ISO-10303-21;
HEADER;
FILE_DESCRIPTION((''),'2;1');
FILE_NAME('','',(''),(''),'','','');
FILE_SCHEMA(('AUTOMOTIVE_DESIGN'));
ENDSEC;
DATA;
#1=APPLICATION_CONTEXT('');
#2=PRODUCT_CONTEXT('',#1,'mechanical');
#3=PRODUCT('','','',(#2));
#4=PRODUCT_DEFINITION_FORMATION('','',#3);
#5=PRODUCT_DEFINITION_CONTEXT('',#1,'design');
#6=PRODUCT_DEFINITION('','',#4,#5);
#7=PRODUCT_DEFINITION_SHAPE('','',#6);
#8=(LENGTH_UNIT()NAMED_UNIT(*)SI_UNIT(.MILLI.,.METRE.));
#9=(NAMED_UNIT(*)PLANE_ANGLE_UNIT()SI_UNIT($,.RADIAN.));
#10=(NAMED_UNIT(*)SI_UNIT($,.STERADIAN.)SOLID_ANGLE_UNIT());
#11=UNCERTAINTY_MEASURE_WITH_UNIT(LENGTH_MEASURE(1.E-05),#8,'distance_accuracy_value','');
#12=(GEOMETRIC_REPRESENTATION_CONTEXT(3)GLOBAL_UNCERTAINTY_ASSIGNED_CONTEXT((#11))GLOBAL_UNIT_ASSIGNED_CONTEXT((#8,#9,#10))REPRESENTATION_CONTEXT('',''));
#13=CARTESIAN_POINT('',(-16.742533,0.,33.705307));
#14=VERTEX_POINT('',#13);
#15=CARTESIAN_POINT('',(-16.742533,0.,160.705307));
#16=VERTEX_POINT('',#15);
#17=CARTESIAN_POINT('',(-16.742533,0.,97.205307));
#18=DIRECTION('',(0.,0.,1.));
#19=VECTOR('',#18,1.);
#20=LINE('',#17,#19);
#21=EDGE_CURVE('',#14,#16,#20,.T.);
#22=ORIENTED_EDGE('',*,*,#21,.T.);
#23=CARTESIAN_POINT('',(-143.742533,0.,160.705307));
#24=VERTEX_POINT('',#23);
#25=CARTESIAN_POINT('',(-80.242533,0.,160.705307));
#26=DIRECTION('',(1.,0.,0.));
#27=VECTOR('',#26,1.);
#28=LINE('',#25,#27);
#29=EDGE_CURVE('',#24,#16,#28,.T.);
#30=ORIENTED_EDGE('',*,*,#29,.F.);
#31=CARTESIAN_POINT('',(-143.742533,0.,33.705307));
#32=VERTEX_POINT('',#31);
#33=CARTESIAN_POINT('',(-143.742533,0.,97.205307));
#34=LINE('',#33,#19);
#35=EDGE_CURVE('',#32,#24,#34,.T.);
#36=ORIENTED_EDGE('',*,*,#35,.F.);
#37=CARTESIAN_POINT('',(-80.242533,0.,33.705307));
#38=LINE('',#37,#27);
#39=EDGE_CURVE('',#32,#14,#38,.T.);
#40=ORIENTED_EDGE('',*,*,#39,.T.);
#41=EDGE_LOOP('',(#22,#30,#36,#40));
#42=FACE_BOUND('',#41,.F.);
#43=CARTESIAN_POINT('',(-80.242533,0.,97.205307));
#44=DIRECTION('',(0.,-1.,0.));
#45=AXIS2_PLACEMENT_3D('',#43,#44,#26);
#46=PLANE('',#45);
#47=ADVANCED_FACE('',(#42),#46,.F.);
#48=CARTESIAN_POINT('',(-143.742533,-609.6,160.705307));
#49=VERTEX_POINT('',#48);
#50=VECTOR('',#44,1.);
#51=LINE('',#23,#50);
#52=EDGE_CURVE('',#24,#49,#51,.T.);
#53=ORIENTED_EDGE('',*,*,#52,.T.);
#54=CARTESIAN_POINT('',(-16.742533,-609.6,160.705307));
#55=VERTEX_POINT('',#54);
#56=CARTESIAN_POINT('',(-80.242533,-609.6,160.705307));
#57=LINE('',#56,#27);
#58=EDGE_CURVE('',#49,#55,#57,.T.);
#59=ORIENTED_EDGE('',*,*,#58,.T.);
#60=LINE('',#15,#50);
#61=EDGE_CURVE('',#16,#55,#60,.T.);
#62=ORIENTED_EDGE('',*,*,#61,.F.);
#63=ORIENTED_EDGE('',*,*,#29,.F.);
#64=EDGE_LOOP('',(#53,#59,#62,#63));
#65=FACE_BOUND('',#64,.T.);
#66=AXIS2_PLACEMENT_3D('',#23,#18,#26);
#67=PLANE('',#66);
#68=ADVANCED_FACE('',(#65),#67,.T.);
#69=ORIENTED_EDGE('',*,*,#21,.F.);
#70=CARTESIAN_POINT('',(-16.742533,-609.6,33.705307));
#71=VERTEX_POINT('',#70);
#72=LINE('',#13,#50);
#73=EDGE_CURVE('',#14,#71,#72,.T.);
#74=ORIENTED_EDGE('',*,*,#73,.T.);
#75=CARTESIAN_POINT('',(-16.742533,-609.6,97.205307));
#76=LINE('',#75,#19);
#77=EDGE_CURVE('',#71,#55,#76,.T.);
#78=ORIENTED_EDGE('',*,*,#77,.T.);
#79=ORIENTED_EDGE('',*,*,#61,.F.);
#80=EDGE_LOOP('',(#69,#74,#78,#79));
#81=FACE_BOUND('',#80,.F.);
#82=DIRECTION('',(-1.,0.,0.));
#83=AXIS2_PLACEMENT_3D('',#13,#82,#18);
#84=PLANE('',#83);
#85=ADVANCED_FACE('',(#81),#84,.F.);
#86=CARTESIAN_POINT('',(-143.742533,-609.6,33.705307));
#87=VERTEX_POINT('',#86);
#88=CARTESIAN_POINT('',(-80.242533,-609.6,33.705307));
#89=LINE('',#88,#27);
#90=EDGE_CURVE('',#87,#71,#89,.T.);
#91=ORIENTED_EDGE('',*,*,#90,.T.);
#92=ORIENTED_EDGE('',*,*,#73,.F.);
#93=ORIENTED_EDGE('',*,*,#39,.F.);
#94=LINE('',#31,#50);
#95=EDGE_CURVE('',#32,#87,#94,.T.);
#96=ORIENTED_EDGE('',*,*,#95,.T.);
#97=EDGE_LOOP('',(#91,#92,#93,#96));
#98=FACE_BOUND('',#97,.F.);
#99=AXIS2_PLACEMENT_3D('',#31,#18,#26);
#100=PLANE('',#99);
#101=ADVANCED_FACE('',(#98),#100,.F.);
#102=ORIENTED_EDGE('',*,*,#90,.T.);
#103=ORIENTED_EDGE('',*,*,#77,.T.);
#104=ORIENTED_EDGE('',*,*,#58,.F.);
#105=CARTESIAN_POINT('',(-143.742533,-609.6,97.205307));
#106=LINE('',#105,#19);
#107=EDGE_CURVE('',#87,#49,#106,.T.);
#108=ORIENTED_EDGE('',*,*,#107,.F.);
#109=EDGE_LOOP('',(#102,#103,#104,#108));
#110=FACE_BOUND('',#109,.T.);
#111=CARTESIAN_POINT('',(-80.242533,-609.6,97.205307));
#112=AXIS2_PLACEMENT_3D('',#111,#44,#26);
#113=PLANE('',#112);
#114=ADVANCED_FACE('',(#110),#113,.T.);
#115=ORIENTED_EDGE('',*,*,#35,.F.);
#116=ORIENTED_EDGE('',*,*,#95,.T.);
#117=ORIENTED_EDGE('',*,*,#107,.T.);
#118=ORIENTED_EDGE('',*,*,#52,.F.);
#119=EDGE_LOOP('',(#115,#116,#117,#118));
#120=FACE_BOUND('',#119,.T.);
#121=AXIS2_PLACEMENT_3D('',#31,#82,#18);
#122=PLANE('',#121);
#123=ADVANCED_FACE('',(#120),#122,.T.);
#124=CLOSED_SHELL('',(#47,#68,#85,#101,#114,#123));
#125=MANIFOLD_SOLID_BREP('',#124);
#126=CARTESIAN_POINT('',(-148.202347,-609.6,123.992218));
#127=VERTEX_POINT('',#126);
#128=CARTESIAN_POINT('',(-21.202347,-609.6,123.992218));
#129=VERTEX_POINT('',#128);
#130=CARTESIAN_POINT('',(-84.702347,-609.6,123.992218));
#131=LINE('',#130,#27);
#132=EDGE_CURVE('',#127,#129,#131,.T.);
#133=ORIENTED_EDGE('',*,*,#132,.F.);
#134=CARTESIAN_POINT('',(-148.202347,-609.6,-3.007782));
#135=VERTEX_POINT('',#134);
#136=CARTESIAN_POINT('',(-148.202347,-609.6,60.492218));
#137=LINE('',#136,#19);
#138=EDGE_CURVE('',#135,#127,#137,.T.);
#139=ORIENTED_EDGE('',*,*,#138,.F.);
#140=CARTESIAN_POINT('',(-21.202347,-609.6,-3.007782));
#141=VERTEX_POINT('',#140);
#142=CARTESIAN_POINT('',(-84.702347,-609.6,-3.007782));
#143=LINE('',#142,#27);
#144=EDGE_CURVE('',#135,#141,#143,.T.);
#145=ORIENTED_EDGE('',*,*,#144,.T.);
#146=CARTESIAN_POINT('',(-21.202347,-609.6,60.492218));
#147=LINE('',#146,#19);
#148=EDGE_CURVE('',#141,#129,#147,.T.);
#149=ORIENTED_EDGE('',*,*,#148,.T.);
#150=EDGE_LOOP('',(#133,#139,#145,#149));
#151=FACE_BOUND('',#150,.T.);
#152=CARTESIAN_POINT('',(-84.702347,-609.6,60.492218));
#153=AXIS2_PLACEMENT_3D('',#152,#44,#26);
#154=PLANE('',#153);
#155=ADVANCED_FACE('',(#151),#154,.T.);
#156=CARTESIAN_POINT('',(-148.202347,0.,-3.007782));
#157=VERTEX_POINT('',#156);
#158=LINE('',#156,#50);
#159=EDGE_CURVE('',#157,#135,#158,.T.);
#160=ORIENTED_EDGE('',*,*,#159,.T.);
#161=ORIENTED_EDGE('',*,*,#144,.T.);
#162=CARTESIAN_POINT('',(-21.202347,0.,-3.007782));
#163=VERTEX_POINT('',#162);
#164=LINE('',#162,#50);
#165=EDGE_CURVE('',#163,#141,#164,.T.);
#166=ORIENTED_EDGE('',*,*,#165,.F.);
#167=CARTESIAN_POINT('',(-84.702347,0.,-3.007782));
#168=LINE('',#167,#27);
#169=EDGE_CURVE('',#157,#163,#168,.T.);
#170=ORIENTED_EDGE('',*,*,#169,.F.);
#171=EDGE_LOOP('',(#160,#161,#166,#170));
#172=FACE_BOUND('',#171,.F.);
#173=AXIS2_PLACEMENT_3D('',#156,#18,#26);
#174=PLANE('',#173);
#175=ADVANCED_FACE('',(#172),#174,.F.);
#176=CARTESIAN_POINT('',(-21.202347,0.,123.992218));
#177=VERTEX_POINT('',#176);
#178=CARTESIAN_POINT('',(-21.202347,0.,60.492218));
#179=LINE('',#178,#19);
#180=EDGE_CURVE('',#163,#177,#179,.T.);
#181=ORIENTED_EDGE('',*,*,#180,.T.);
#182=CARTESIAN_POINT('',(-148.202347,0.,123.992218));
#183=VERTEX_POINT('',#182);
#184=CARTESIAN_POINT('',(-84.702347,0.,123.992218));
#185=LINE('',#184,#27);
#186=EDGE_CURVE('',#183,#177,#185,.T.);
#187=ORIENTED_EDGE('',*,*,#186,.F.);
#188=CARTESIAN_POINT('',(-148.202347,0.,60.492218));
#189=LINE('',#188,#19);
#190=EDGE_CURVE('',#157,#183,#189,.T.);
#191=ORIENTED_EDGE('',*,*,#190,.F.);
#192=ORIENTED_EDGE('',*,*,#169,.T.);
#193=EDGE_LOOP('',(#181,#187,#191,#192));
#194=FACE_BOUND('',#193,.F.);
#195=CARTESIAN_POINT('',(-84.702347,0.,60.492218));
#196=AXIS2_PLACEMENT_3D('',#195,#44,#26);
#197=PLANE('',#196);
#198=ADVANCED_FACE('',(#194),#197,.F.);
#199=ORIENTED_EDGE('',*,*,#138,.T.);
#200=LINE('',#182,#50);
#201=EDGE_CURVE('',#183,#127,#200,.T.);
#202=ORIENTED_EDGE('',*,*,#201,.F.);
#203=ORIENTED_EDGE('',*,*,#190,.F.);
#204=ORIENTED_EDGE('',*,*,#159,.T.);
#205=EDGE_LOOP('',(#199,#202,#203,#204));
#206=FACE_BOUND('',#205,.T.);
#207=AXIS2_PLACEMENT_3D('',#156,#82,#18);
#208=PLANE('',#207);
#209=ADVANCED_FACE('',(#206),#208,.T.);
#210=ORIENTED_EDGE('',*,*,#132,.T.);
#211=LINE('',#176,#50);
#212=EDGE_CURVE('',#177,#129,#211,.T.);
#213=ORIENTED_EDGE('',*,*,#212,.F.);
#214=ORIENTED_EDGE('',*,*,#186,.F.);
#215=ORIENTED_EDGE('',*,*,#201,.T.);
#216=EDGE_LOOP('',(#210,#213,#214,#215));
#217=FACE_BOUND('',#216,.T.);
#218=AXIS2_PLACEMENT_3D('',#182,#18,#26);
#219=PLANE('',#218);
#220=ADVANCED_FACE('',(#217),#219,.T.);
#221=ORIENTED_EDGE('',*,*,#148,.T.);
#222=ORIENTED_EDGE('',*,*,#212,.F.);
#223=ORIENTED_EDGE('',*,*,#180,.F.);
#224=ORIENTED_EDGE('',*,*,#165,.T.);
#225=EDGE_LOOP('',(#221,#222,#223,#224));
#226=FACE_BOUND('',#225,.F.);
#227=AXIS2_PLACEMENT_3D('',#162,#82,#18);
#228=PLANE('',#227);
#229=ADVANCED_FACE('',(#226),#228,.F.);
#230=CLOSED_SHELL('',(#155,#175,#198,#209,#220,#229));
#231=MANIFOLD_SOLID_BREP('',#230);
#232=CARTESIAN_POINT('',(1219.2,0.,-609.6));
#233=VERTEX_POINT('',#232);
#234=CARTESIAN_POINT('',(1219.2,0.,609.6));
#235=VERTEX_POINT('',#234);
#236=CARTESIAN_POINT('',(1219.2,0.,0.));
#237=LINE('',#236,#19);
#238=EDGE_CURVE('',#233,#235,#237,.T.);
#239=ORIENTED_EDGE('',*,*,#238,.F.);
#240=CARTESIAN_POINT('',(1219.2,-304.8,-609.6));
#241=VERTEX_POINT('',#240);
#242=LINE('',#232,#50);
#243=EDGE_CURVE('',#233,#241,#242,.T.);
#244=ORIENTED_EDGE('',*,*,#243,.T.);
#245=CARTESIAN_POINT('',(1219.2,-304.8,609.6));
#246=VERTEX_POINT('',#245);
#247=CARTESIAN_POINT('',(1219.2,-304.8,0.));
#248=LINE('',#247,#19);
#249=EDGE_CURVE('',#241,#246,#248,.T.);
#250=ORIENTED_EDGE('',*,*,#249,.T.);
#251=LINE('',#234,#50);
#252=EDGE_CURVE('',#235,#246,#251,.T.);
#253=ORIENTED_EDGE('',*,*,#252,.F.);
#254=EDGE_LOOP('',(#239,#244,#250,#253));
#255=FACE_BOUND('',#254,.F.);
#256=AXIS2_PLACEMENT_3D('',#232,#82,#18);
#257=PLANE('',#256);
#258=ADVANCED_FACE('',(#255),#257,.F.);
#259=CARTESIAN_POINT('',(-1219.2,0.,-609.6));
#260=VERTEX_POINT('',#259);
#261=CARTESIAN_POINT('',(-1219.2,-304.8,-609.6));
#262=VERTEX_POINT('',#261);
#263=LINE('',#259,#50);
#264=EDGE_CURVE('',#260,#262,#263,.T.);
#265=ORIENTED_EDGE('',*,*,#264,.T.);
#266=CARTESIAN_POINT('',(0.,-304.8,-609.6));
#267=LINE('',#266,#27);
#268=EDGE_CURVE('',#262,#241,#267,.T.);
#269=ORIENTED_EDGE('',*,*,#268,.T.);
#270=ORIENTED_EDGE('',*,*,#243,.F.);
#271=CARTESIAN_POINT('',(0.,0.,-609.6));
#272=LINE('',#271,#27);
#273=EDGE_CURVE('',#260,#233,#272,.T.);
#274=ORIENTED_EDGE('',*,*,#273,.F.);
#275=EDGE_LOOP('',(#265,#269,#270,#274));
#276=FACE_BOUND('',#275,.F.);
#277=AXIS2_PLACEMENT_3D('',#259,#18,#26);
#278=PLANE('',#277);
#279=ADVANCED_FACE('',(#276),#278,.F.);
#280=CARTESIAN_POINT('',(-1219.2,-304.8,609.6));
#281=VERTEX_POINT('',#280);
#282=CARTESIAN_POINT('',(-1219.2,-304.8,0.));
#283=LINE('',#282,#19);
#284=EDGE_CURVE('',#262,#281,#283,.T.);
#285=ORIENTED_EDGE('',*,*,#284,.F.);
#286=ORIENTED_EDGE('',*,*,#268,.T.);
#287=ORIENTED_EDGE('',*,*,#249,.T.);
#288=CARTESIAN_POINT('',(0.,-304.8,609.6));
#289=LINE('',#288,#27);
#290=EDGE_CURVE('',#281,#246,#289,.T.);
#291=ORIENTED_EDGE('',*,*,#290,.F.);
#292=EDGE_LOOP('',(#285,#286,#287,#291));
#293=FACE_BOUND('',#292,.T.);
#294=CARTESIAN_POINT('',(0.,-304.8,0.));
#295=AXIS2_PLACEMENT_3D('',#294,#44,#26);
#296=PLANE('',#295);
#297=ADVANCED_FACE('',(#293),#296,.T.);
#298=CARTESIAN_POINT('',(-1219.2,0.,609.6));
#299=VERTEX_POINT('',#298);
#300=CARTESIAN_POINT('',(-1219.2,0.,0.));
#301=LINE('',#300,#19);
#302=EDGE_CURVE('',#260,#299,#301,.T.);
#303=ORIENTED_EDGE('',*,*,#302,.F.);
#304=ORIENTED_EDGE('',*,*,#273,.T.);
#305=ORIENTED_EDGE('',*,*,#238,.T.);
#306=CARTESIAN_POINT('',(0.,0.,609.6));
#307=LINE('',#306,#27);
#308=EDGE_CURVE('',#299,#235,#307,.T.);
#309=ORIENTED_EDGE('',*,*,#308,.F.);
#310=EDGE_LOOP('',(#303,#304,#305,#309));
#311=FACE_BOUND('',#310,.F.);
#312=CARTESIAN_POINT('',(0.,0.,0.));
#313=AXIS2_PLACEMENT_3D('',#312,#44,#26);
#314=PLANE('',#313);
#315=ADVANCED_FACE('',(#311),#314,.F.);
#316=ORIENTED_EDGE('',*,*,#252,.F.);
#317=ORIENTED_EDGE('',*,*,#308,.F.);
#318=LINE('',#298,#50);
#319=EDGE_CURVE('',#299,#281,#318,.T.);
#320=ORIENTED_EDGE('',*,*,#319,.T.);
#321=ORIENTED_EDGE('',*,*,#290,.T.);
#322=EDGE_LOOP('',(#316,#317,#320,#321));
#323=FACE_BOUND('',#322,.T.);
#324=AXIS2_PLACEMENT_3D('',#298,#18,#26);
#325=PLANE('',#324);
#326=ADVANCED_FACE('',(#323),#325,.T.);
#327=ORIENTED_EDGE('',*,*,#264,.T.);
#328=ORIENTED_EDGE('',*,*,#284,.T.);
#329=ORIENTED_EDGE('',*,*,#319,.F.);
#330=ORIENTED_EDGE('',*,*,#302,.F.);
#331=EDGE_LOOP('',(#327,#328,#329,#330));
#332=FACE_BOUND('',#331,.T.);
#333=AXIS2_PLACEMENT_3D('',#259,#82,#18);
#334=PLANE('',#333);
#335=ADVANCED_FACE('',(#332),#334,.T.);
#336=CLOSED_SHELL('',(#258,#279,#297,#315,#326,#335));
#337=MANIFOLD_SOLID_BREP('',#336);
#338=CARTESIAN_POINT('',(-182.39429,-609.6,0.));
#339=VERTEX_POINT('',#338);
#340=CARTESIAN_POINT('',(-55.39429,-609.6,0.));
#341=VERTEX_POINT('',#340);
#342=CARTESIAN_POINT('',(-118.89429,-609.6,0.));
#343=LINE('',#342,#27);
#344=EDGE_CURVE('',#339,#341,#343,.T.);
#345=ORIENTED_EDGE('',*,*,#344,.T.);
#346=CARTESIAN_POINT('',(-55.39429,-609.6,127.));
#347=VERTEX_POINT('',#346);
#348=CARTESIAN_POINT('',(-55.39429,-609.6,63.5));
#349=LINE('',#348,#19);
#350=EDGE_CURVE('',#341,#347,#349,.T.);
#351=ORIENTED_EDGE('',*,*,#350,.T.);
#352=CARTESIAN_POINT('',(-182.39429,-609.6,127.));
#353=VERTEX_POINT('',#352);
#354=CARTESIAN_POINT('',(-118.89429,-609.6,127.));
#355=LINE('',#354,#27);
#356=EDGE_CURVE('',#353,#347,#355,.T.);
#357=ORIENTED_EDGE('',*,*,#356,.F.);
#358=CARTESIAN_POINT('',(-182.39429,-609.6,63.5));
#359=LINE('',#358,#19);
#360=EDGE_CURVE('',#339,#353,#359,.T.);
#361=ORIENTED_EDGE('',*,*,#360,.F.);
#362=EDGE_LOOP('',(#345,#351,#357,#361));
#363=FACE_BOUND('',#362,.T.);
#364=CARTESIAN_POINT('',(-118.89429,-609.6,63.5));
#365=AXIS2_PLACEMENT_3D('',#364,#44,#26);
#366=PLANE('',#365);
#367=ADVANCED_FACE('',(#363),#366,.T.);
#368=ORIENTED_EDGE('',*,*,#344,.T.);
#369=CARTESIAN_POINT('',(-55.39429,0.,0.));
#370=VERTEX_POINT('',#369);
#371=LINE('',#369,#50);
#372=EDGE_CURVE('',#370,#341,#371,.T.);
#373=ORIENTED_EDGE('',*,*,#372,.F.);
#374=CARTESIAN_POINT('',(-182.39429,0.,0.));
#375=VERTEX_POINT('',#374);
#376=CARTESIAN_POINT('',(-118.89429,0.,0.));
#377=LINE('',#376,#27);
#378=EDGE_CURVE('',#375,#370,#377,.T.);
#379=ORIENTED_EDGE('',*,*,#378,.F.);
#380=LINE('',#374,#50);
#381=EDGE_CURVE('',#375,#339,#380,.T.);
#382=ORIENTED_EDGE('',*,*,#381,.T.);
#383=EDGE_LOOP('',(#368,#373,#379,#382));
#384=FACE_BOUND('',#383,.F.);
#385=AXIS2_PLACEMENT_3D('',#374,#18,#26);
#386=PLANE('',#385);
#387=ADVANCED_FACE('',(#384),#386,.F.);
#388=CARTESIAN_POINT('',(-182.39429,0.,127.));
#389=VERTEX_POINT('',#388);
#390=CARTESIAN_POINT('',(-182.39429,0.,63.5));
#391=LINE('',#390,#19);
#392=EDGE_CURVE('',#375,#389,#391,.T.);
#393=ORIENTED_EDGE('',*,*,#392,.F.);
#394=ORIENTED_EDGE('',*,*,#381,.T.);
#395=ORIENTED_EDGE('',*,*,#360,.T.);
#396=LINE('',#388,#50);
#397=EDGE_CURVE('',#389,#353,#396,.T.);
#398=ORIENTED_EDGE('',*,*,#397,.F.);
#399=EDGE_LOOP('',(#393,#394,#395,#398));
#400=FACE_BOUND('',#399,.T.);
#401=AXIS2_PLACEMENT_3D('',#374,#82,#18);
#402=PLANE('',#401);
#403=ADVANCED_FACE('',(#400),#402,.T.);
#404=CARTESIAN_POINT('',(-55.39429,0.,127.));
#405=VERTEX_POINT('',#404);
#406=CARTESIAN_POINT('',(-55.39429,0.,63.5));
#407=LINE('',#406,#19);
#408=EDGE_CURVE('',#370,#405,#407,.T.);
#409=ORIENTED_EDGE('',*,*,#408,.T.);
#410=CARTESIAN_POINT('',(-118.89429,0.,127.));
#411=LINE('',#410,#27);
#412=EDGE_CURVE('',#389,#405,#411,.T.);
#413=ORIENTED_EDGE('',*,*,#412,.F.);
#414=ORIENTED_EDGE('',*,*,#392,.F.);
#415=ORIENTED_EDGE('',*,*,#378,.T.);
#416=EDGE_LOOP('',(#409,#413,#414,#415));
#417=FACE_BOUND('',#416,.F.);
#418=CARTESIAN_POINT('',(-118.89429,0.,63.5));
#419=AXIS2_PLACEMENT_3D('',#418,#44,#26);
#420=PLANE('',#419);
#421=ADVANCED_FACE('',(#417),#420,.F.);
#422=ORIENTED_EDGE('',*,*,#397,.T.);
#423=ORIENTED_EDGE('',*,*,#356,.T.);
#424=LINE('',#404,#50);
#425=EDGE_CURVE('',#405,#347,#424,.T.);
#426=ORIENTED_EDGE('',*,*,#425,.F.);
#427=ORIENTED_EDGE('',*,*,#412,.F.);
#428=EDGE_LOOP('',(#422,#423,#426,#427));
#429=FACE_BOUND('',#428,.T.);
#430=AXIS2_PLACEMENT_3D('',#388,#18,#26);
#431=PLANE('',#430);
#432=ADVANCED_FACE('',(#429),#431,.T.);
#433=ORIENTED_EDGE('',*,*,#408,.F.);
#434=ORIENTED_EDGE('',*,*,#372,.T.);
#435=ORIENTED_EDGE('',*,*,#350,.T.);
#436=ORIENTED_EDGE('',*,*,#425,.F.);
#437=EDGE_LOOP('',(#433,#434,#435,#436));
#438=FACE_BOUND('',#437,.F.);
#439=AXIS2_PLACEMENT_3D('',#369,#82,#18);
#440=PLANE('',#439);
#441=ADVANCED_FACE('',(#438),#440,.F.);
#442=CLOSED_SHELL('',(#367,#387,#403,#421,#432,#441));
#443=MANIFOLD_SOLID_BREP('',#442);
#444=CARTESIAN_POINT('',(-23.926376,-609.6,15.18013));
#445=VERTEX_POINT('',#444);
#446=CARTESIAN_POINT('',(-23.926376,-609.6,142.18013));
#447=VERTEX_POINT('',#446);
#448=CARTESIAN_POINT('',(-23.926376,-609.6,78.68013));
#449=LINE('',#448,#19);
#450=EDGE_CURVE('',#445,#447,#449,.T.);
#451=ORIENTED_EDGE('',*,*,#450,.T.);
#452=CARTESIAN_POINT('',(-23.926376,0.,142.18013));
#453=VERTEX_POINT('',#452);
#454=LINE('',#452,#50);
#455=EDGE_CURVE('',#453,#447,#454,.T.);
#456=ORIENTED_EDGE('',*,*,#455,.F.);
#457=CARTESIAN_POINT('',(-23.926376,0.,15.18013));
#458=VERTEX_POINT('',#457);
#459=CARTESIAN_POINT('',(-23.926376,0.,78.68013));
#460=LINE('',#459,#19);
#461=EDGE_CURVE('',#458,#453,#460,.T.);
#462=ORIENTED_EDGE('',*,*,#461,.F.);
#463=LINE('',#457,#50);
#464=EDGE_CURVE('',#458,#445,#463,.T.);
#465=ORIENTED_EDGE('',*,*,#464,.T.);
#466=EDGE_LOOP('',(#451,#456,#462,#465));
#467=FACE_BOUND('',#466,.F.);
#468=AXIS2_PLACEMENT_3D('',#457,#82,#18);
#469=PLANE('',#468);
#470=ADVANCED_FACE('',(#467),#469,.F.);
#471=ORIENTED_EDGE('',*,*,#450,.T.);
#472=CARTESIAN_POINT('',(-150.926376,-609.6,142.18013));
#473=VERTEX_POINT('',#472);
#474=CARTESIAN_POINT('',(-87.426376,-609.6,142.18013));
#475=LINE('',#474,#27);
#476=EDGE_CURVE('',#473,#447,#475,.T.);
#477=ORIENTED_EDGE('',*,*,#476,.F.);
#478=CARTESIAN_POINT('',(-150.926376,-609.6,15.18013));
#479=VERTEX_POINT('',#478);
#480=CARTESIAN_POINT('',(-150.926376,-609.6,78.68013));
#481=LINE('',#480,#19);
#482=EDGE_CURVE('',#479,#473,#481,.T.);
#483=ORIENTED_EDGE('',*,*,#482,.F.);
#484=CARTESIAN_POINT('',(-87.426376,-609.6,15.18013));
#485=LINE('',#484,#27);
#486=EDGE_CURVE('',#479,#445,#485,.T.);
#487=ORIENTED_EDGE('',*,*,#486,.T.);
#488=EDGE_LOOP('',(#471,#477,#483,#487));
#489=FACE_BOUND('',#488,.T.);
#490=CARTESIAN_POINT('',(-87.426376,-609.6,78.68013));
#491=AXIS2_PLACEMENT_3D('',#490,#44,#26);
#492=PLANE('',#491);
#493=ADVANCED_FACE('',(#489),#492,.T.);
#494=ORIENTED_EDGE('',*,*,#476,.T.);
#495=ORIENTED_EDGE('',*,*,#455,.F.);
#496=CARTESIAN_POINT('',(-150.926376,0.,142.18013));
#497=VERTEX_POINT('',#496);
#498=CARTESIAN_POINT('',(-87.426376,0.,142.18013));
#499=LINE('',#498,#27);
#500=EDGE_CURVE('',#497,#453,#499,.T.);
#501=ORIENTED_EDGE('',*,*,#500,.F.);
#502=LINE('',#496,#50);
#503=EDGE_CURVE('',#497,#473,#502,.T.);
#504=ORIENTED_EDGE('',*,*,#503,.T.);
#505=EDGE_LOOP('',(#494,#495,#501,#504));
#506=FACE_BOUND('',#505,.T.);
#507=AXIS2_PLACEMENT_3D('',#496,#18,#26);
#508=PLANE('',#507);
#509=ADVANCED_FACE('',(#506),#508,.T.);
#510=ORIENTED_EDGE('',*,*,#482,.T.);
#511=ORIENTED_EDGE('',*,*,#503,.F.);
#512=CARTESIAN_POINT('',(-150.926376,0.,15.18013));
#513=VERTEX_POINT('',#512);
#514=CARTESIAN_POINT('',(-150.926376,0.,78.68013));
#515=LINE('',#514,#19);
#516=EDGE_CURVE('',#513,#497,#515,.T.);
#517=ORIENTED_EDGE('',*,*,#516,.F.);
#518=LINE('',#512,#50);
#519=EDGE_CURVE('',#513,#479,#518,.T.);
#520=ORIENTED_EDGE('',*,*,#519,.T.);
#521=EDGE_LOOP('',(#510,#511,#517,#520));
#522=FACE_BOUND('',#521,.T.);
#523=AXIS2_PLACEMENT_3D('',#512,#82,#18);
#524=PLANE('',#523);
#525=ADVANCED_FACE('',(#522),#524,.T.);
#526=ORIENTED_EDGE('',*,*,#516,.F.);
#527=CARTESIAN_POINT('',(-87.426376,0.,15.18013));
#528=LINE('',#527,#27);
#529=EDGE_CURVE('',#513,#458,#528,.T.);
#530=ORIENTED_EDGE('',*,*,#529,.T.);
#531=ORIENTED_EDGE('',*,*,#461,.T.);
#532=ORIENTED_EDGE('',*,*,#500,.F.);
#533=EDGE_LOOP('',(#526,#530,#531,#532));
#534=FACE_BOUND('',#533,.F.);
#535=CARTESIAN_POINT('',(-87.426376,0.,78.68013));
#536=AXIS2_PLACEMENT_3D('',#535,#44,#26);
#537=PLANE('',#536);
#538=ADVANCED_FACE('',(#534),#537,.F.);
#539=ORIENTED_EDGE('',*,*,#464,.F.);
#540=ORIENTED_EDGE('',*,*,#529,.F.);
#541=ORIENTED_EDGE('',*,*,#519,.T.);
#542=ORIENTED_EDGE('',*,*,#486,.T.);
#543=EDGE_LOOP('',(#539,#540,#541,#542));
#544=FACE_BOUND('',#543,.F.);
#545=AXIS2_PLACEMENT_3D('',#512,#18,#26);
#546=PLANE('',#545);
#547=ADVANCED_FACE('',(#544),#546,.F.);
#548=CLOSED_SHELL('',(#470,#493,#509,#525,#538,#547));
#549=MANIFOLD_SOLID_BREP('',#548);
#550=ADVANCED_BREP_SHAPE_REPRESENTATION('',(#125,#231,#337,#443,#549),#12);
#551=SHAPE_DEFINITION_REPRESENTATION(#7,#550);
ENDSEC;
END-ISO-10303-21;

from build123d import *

# Parameters (mm, degrees)
F0_W     = 2438.4
F0_H     = 1219.2
F1_DEPTH = 304.8
F2_W     = 127
F2_H     = 127
F6_DEPTH = 609.6
F3_W     = 127
F3_H     = 127
F7_DEPTH = 609.6
F5_W     = 127
F5_H     = 127
F8_DEPTH = 609.6
F4_W     = 127
F4_H     = 127
F9_DEPTH = 609.6


with BuildPart() as f1:
    # F0 (on Front) → F1 (new body)
    with BuildSketch(Plane.XZ):
        Rectangle(F0_W, F0_H)
    extrude(amount=F1_DEPTH)


with BuildPart() as f6:
    # F2 (on Front) → F6 (new body)
    with BuildSketch(Plane.XZ):
        with Locations((-80.242533, 97.205307)):
            Rectangle(F2_W, F2_H)
    extrude(amount=F6_DEPTH)


with BuildPart() as f7:
    # F3 (on Front) → F7 (new body)
    with BuildSketch(Plane.XZ):
        with Locations((-118.89429, 63.5)):
            Rectangle(F3_W, F3_H)
    extrude(amount=F7_DEPTH)


with BuildPart() as f8:
    # F5 (on Front) → F8 (new body)
    with BuildSketch(Plane.XZ):
        with Locations((-84.702347, 60.492218)):
            Rectangle(F5_W, F5_H)
    extrude(amount=F8_DEPTH)


with BuildPart() as f9:
    # F4 (on Front) → F9 (new body)
    with BuildSketch(Plane.XZ):
        with Locations((-87.426376, 78.68013)):
            Rectangle(F4_W, F4_H)
    extrude(amount=F9_DEPTH)


solid = Compound([f1.part, f6.part, f7.part, f8.part, f9.part])
